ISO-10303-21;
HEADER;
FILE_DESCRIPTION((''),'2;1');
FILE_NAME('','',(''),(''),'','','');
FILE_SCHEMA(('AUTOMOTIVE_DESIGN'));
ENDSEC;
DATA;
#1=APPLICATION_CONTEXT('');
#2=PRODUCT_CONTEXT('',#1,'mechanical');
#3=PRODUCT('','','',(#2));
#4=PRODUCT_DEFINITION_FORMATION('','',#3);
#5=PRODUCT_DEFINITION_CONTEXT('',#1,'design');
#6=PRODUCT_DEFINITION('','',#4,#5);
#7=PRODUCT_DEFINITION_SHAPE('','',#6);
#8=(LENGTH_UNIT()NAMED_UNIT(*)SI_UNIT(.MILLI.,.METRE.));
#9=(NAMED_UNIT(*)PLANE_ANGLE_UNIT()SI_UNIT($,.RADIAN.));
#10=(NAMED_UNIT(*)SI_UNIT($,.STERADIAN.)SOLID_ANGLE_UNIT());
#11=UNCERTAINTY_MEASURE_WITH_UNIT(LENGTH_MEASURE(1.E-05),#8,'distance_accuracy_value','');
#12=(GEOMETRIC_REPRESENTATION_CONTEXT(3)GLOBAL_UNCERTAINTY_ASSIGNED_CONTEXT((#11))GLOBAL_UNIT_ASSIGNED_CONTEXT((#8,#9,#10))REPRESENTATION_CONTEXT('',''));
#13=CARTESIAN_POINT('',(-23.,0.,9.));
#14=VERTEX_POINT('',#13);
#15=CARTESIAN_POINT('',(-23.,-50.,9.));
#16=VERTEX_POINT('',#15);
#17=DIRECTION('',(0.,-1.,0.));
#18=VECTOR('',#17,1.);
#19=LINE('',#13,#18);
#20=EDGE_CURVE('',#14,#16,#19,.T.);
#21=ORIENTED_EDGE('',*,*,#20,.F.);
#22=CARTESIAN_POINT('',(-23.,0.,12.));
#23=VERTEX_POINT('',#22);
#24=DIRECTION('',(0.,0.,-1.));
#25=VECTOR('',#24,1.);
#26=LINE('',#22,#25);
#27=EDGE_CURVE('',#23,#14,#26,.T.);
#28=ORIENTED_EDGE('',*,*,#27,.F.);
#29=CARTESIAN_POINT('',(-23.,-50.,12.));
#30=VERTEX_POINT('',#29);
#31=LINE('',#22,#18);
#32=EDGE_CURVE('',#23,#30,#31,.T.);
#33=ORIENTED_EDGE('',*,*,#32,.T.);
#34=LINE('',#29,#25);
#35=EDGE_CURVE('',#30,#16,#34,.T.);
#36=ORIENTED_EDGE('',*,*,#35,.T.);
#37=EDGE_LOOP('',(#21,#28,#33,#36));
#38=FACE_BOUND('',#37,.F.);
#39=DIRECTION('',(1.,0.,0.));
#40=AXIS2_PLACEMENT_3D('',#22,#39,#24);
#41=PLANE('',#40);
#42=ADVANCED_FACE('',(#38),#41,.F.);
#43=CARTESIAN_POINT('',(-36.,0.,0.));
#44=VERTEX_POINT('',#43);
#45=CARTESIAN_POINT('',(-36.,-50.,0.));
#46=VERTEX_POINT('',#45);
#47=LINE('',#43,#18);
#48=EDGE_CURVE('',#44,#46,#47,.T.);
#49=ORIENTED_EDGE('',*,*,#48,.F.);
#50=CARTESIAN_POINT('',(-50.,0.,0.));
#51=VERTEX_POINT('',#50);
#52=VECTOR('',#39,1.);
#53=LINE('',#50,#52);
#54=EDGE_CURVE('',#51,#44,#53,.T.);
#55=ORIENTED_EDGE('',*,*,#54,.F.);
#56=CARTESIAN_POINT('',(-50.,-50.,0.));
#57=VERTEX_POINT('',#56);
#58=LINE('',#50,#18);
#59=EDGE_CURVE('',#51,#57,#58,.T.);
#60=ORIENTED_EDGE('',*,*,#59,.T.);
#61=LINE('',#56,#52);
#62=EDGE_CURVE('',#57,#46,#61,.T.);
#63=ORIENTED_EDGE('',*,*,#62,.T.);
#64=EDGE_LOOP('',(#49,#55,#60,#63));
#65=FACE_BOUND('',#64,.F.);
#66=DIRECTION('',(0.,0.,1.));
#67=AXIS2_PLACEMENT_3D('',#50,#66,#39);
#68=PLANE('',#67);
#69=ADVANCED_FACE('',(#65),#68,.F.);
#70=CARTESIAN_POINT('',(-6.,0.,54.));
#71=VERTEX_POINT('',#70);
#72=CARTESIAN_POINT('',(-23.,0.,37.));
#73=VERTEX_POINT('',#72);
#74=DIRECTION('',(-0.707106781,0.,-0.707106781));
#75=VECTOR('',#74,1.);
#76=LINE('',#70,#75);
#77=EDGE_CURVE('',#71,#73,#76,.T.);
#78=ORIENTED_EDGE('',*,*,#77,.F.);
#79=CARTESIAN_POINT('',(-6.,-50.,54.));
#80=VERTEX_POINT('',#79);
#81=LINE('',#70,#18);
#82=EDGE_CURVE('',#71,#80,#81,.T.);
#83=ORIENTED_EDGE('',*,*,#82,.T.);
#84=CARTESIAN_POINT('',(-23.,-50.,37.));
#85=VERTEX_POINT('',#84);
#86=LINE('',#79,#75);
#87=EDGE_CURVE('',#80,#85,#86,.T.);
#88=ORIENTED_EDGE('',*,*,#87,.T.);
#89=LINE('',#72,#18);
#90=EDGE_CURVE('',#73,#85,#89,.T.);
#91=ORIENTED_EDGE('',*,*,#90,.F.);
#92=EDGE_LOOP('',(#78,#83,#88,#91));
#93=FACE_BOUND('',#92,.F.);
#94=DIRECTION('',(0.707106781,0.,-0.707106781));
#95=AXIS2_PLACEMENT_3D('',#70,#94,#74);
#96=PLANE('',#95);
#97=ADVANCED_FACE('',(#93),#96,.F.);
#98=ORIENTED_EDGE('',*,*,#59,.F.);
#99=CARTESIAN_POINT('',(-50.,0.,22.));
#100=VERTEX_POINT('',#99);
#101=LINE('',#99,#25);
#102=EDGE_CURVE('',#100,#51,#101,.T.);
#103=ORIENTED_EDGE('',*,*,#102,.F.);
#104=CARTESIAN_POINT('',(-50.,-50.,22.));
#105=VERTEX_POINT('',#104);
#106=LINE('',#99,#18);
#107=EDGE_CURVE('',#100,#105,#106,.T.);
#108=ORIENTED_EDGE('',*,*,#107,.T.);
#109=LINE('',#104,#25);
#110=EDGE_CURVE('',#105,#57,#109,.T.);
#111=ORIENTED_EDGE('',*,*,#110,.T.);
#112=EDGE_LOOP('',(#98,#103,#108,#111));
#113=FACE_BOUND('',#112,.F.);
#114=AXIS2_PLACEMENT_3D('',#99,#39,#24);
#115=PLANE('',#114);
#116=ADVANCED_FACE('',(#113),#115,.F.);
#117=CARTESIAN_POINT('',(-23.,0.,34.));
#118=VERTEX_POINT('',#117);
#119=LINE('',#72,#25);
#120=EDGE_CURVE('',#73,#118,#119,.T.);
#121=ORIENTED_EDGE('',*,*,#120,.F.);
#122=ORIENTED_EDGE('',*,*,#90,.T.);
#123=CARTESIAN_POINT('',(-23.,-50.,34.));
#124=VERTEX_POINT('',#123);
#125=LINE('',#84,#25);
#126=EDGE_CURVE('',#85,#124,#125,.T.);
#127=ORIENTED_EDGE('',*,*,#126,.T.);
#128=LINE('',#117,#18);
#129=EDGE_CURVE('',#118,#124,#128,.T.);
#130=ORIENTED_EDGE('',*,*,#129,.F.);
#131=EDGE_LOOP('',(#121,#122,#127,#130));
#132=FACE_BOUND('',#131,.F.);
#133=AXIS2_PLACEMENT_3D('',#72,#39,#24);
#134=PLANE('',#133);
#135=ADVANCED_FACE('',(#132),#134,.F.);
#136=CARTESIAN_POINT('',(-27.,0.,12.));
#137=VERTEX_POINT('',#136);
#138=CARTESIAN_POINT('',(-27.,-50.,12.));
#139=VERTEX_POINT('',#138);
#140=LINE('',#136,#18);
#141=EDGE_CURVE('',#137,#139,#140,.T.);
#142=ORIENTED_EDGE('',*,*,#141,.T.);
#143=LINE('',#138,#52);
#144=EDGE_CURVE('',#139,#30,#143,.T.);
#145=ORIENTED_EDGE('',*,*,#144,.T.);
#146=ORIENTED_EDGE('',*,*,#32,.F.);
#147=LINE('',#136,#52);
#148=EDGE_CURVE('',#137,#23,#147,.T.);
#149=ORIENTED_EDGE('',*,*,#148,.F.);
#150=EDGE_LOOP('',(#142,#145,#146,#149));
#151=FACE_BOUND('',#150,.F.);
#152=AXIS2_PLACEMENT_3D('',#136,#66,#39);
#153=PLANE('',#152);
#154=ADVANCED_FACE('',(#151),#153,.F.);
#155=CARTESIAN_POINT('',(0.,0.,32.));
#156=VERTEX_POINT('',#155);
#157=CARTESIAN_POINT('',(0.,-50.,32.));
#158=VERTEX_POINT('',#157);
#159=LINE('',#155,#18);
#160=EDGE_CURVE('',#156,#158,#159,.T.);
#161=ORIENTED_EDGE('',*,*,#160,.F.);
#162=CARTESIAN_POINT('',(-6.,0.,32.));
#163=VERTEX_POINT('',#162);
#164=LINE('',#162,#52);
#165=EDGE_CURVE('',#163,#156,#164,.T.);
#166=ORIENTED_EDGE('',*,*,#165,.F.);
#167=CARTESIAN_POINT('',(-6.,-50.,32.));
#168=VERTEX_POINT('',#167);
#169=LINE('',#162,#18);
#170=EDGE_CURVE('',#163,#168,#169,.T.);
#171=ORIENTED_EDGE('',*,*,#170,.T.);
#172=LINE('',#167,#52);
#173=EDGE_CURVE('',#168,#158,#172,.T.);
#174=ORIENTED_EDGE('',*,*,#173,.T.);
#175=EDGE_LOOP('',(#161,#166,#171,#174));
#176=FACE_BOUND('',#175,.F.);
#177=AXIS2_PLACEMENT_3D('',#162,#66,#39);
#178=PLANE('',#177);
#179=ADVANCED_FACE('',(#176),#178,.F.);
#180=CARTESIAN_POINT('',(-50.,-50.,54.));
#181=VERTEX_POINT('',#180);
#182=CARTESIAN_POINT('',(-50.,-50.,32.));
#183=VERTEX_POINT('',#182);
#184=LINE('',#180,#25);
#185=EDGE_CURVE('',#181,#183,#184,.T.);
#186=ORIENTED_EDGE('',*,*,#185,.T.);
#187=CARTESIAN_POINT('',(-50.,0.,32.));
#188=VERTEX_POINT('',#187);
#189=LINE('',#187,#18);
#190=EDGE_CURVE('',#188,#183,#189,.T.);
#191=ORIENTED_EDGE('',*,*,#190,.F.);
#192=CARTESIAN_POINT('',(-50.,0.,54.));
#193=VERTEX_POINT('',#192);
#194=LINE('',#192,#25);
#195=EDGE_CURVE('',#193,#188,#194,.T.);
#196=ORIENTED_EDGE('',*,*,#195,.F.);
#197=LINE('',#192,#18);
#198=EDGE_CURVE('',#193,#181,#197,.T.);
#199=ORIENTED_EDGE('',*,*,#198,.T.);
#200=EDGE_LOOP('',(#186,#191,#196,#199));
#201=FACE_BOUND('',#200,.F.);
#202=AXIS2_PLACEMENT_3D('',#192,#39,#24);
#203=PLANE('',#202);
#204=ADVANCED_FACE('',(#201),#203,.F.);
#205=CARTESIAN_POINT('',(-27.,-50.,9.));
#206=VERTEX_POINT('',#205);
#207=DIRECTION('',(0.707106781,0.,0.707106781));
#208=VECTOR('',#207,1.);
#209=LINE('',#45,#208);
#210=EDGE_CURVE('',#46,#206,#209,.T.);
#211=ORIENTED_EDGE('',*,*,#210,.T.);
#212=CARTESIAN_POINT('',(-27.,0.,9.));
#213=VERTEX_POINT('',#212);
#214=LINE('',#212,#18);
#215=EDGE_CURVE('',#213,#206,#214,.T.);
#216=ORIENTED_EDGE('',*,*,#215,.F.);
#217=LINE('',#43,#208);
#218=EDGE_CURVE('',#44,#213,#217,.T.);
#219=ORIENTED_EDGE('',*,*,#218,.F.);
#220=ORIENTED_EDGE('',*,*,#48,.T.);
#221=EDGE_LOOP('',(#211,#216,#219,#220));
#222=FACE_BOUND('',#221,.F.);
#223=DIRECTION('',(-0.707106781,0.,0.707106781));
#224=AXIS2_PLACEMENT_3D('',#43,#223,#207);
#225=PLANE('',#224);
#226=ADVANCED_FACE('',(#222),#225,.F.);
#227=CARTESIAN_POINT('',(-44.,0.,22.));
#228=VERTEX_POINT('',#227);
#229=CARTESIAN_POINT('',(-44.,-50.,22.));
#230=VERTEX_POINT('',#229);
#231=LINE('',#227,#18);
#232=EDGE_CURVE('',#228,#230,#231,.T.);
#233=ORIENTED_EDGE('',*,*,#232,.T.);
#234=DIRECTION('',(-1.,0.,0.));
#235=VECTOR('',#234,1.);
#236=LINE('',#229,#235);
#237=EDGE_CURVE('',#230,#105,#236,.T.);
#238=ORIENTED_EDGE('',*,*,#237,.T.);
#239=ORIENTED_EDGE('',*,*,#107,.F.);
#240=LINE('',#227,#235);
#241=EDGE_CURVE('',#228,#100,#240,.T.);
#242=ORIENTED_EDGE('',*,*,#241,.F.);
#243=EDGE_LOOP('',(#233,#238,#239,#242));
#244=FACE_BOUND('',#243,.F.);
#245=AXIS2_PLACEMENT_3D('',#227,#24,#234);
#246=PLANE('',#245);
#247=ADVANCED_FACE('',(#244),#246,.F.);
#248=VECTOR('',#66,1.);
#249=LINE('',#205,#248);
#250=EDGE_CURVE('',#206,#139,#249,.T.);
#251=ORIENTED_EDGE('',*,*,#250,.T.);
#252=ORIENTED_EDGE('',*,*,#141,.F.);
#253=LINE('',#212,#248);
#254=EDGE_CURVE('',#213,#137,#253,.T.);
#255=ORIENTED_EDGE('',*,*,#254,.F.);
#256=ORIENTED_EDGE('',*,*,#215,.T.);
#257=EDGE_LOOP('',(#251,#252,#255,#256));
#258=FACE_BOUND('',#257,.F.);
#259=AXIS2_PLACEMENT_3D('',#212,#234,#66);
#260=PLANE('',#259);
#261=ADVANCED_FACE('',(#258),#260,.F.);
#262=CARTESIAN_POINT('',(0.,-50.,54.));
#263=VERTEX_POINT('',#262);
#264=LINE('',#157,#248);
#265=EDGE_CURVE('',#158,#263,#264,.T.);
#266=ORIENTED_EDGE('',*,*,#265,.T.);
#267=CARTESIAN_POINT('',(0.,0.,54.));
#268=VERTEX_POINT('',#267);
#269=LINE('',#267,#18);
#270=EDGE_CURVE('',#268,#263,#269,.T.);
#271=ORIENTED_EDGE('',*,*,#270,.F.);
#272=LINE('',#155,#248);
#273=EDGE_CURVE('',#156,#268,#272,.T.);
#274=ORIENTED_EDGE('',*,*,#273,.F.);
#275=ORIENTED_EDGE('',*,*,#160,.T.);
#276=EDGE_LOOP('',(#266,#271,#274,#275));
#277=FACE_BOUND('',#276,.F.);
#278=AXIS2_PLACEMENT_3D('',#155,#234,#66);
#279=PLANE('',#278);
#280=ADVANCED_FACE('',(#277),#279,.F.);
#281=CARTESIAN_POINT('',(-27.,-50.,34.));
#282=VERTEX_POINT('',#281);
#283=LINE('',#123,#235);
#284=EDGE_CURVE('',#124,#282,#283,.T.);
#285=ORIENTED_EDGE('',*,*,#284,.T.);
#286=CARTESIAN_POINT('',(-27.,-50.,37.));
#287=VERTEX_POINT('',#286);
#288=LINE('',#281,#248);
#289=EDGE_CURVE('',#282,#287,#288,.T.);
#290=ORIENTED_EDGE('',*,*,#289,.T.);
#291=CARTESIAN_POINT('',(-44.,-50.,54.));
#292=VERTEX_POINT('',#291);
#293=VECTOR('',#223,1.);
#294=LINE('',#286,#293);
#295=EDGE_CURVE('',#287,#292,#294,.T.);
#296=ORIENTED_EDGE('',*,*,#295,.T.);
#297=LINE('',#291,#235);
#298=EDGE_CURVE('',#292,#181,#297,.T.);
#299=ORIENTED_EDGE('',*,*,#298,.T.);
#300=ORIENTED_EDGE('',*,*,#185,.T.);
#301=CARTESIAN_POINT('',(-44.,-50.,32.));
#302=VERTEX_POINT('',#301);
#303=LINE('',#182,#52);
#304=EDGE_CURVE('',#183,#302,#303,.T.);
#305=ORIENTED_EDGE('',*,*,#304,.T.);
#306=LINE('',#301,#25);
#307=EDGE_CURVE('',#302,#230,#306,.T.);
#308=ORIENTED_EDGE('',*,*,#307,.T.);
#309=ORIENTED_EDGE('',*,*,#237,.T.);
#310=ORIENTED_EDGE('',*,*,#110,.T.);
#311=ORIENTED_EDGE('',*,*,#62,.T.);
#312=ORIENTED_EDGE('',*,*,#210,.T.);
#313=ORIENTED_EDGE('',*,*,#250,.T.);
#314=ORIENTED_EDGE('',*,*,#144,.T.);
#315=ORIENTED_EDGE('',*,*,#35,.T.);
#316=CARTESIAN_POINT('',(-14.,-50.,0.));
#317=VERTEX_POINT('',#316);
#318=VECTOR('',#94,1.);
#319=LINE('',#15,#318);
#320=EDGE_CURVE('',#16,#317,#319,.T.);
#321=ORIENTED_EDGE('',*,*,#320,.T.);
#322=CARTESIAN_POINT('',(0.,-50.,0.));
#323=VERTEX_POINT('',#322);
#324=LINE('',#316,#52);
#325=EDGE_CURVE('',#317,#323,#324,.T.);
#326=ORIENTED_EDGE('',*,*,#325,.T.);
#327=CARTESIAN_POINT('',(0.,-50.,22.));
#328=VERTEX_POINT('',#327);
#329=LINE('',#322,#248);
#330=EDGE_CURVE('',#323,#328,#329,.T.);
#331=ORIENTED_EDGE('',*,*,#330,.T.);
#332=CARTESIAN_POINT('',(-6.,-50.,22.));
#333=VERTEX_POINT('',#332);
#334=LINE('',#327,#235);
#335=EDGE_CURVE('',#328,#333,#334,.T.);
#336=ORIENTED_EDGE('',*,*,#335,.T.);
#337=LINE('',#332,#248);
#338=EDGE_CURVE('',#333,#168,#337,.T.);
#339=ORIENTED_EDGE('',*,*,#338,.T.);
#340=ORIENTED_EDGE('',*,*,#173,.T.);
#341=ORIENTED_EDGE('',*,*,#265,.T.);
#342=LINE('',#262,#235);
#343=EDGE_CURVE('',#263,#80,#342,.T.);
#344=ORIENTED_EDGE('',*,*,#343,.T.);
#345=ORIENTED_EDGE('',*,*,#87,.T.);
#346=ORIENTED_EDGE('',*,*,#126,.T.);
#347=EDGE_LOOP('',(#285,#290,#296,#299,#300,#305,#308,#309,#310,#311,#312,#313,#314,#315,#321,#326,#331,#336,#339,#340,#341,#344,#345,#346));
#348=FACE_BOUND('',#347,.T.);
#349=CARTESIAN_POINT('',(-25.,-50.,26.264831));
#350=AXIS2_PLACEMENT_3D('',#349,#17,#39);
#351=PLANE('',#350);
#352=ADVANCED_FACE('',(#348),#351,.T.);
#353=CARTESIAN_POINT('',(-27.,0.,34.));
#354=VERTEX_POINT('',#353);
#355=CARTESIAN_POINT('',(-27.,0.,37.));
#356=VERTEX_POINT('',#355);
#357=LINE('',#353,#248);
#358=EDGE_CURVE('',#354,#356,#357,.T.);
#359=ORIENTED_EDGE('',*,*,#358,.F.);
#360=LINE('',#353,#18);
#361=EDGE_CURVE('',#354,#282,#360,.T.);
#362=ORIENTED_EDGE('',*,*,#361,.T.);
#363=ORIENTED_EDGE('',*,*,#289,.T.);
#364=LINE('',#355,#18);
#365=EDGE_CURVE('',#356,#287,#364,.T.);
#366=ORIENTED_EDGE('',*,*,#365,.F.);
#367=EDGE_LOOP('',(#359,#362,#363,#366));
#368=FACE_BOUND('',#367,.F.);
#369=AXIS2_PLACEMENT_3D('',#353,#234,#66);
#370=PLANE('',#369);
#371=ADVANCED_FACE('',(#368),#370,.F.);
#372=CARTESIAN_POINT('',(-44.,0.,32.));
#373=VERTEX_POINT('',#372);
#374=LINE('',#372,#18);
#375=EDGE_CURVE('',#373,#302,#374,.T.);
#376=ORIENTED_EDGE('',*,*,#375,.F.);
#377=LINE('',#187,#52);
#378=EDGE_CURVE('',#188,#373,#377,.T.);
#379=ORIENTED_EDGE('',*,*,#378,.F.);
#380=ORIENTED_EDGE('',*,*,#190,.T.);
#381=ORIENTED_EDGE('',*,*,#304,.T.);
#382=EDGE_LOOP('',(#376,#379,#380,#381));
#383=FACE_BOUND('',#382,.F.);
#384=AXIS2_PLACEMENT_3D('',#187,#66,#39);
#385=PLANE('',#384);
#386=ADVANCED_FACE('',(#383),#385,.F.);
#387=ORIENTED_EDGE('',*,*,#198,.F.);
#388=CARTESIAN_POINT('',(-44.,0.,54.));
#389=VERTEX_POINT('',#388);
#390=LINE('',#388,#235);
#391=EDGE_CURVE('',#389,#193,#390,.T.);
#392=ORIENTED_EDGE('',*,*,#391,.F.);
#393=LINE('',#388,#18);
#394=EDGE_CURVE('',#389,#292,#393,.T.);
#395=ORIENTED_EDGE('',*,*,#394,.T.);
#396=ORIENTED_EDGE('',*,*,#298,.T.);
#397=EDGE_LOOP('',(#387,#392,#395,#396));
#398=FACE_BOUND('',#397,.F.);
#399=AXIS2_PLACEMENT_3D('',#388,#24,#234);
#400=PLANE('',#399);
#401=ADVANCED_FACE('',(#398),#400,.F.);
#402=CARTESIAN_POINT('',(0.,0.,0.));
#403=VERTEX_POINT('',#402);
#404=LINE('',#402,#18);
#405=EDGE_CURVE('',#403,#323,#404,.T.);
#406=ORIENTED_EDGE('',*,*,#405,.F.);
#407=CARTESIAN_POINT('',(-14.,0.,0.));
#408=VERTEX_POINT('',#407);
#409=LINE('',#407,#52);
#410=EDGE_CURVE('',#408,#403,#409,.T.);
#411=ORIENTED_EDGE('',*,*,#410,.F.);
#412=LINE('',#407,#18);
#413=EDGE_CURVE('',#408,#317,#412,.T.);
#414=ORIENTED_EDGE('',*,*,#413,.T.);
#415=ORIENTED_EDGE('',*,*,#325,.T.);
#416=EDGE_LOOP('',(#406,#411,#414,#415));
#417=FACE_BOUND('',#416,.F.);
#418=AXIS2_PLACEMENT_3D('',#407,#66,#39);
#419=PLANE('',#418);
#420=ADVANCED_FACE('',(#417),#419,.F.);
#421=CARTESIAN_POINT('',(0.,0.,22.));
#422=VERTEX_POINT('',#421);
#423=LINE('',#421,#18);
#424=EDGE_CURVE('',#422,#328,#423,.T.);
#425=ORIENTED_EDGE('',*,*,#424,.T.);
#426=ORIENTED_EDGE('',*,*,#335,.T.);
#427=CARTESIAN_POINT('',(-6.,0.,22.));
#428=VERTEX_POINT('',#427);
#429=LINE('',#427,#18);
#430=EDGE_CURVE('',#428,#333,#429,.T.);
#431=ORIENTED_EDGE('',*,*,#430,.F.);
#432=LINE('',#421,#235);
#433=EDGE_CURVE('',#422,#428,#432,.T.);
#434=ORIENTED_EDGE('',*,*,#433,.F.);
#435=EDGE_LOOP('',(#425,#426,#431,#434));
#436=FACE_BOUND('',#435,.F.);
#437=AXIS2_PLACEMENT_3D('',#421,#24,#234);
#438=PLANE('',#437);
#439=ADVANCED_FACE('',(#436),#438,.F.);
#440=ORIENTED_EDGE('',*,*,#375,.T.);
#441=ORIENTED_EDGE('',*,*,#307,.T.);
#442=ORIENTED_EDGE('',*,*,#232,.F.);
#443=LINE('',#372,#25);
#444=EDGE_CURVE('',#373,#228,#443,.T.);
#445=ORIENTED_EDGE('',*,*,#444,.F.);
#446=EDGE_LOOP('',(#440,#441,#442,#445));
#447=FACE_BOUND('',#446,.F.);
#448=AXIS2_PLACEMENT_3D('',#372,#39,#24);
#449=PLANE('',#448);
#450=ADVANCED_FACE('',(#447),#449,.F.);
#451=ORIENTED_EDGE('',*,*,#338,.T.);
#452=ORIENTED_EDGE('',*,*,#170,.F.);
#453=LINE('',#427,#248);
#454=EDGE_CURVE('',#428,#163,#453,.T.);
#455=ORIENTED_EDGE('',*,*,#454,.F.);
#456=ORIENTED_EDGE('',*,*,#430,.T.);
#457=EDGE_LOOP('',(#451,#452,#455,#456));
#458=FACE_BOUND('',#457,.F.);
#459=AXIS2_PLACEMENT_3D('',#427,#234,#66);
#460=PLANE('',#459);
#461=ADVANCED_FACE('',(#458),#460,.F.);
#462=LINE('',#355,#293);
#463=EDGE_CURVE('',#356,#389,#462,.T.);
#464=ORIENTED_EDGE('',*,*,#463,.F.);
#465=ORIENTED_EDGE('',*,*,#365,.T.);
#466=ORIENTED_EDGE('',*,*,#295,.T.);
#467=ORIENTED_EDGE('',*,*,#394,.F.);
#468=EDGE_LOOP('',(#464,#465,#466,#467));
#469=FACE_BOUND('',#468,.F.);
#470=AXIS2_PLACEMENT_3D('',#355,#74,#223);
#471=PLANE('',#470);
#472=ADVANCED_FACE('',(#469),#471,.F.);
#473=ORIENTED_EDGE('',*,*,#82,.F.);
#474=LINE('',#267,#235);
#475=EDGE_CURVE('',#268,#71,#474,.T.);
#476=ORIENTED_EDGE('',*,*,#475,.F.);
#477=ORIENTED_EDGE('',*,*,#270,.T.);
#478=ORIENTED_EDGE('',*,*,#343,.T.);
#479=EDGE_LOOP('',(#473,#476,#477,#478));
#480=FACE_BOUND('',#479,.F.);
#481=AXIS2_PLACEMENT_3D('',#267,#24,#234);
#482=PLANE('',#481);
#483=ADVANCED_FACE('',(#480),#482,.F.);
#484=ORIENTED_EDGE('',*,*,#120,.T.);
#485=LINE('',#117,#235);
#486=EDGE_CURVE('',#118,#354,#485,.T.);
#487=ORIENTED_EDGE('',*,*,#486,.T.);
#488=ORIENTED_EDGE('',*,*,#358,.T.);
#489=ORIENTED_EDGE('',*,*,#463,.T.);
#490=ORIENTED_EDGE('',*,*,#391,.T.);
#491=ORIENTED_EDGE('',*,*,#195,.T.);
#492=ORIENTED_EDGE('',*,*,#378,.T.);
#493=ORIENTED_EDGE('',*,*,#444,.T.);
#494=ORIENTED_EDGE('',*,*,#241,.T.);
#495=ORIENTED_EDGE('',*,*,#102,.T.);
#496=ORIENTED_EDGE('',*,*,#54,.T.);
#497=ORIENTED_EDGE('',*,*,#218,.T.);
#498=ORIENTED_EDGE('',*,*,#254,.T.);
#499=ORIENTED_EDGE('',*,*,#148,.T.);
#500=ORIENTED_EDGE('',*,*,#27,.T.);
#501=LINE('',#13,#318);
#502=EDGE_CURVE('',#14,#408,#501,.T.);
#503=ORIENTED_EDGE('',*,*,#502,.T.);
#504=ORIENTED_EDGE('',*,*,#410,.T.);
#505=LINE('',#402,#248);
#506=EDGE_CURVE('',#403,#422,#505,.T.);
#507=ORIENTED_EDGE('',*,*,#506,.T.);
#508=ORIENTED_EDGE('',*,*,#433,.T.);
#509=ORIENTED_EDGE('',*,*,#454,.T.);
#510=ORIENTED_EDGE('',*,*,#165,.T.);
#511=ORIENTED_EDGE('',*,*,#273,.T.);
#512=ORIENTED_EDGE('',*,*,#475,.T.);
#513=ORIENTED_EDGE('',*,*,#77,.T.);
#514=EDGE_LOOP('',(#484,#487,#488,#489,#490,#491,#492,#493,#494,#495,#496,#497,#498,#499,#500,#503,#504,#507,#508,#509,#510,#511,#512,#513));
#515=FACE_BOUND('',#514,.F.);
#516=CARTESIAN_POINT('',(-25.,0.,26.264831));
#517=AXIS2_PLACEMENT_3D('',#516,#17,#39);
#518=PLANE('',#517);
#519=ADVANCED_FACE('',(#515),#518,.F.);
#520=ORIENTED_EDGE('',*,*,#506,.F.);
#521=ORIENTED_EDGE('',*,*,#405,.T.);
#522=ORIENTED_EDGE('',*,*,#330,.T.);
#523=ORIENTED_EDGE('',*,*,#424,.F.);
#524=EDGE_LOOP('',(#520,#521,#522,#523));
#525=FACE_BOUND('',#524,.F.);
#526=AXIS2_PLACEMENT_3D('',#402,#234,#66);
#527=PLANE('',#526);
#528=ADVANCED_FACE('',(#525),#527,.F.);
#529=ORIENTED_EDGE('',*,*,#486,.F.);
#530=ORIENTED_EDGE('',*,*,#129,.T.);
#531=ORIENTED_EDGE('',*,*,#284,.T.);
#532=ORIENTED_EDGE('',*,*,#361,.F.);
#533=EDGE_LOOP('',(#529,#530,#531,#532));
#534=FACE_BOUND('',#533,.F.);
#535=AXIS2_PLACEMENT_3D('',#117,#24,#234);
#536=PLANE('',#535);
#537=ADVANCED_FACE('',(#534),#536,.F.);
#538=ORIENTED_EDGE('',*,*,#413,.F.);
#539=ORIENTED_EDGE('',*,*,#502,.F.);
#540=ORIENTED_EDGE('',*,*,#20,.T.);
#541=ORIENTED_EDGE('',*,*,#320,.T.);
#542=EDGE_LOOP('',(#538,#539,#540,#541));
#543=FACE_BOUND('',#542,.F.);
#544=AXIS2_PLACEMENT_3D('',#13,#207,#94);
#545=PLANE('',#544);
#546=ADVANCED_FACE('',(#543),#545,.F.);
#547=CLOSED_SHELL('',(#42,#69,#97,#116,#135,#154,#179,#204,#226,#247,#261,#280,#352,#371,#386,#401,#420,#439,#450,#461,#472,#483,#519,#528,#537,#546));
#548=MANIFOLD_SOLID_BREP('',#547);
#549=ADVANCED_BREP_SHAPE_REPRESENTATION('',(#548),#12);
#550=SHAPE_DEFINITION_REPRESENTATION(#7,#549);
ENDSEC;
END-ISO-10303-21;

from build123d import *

# Parameters (mm, degrees)
F1_DEPTH = 50


with BuildPart() as f1:
    # F0 (on Front) → F1 (new body)
    with BuildSketch(Plane.XZ):
        Polygon((0, 54), (-6, 54), (-23, 37), (-23, 34), (-25, 34), (-27, 34), (-27, 37), (-44, 54), (-50, 54), (-50, 32), (-44, 32), (-44, 22), (-50, 22), (-50, 0), (-36, 0), (-27, 9), (-27, 12), (-25, 12), (-23, 12), (-23, 9), (-14, 0), (0, 0), (0, 22), (-6, 22), (-6, 32), (0, 32), align=None)
    extrude(amount=F1_DEPTH)


solid = f1.part
